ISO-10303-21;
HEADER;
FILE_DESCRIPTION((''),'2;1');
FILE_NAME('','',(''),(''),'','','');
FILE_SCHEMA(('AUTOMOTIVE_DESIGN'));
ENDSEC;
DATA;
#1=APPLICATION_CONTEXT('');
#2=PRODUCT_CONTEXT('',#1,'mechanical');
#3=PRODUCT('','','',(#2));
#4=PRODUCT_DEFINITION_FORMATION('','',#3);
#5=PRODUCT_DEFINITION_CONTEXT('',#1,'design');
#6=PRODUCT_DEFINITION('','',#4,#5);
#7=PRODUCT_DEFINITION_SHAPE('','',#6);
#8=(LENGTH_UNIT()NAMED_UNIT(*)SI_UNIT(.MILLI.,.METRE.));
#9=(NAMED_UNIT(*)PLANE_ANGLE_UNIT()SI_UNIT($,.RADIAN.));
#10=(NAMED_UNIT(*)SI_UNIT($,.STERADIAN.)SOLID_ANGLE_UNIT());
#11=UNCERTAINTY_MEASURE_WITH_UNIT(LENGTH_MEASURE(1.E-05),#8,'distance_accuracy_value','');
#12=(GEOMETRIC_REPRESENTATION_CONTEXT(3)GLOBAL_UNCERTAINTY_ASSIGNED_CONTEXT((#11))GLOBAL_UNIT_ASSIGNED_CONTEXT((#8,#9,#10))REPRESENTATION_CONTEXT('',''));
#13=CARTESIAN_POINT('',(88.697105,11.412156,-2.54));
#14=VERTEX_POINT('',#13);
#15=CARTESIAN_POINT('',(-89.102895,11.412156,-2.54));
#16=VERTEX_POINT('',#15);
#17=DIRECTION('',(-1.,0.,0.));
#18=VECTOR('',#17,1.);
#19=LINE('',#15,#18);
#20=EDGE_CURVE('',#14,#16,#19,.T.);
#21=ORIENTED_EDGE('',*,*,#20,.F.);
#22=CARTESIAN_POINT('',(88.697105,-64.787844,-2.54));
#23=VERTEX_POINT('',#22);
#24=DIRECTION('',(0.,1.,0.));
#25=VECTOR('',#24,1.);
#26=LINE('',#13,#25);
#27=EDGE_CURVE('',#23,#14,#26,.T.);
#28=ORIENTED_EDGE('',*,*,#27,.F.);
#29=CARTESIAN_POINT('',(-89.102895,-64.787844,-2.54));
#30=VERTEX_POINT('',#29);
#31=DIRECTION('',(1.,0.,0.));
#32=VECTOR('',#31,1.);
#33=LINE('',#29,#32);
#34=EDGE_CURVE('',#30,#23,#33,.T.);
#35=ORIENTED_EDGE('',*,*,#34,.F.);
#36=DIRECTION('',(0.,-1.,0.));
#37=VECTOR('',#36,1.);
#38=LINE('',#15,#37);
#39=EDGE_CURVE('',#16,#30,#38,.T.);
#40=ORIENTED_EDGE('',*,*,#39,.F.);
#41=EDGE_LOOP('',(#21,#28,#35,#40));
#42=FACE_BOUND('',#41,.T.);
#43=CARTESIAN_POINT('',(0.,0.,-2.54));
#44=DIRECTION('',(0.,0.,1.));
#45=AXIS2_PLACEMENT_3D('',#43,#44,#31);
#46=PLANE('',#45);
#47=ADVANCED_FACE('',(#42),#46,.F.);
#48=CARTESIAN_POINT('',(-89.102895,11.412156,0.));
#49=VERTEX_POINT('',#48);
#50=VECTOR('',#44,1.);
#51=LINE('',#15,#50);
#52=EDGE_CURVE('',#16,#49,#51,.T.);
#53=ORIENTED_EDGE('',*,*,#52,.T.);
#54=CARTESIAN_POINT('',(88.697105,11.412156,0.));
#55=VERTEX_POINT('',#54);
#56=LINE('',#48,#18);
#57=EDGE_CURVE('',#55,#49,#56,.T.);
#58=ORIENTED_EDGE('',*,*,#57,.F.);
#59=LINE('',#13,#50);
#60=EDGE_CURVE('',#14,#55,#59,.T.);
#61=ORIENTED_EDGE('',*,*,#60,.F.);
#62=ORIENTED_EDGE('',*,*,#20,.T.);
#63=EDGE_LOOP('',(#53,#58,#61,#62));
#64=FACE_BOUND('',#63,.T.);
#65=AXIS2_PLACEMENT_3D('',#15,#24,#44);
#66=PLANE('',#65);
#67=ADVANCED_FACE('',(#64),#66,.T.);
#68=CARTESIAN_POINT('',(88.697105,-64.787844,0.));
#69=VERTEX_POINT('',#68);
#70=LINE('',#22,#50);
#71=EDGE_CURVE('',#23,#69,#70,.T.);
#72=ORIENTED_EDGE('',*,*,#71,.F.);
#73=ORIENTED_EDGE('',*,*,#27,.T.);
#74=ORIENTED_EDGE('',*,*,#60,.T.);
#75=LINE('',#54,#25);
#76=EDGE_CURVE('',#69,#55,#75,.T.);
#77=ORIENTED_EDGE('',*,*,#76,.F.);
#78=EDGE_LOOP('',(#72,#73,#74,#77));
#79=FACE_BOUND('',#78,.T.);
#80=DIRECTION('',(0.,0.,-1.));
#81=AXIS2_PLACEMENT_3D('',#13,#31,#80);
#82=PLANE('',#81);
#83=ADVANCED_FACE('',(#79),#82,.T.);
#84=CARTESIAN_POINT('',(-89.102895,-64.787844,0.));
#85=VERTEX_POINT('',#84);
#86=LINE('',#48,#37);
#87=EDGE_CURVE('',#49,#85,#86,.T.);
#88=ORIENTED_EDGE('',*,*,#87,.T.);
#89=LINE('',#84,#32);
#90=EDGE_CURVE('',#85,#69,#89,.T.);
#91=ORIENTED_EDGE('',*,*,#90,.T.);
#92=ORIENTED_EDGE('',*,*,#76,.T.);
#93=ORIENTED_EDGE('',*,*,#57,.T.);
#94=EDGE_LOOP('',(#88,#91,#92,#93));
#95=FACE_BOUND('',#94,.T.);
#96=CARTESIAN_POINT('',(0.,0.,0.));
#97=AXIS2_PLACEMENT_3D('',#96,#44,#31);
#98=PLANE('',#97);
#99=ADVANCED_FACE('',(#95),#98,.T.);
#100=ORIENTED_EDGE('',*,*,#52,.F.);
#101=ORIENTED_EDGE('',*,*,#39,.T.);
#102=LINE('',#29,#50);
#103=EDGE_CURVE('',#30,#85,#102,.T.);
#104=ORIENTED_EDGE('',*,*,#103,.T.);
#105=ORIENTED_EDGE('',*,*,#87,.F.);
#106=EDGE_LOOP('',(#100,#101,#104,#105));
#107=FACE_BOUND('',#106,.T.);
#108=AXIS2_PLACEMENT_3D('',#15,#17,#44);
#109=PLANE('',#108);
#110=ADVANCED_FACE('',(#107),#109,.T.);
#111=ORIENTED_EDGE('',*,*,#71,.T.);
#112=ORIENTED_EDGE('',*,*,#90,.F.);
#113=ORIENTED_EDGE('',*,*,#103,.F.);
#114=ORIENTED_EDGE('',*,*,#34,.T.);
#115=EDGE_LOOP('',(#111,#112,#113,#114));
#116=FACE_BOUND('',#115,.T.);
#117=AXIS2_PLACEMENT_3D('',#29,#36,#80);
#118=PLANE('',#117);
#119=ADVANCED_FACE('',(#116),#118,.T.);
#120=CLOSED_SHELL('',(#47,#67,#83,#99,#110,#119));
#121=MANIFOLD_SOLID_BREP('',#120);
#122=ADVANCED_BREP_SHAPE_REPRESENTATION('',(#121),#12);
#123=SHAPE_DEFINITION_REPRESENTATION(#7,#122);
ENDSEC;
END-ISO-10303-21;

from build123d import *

# Parameters (mm, degrees)
SKETCH1_W           = 177.8
SKETCH1_H           = 76.2
BOSS_EXTRUDE1_DEPTH = 2.54


with BuildPart() as part:
    # Sketch1 → Boss-Extrude1 (new body)
    with BuildSketch(Plane.XY):
        with Locations((-0.202894562, -26.68784411)):
            Rectangle(SKETCH1_W, SKETCH1_H)
    extrude(amount=-BOSS_EXTRUDE1_DEPTH)


solid = part.part
